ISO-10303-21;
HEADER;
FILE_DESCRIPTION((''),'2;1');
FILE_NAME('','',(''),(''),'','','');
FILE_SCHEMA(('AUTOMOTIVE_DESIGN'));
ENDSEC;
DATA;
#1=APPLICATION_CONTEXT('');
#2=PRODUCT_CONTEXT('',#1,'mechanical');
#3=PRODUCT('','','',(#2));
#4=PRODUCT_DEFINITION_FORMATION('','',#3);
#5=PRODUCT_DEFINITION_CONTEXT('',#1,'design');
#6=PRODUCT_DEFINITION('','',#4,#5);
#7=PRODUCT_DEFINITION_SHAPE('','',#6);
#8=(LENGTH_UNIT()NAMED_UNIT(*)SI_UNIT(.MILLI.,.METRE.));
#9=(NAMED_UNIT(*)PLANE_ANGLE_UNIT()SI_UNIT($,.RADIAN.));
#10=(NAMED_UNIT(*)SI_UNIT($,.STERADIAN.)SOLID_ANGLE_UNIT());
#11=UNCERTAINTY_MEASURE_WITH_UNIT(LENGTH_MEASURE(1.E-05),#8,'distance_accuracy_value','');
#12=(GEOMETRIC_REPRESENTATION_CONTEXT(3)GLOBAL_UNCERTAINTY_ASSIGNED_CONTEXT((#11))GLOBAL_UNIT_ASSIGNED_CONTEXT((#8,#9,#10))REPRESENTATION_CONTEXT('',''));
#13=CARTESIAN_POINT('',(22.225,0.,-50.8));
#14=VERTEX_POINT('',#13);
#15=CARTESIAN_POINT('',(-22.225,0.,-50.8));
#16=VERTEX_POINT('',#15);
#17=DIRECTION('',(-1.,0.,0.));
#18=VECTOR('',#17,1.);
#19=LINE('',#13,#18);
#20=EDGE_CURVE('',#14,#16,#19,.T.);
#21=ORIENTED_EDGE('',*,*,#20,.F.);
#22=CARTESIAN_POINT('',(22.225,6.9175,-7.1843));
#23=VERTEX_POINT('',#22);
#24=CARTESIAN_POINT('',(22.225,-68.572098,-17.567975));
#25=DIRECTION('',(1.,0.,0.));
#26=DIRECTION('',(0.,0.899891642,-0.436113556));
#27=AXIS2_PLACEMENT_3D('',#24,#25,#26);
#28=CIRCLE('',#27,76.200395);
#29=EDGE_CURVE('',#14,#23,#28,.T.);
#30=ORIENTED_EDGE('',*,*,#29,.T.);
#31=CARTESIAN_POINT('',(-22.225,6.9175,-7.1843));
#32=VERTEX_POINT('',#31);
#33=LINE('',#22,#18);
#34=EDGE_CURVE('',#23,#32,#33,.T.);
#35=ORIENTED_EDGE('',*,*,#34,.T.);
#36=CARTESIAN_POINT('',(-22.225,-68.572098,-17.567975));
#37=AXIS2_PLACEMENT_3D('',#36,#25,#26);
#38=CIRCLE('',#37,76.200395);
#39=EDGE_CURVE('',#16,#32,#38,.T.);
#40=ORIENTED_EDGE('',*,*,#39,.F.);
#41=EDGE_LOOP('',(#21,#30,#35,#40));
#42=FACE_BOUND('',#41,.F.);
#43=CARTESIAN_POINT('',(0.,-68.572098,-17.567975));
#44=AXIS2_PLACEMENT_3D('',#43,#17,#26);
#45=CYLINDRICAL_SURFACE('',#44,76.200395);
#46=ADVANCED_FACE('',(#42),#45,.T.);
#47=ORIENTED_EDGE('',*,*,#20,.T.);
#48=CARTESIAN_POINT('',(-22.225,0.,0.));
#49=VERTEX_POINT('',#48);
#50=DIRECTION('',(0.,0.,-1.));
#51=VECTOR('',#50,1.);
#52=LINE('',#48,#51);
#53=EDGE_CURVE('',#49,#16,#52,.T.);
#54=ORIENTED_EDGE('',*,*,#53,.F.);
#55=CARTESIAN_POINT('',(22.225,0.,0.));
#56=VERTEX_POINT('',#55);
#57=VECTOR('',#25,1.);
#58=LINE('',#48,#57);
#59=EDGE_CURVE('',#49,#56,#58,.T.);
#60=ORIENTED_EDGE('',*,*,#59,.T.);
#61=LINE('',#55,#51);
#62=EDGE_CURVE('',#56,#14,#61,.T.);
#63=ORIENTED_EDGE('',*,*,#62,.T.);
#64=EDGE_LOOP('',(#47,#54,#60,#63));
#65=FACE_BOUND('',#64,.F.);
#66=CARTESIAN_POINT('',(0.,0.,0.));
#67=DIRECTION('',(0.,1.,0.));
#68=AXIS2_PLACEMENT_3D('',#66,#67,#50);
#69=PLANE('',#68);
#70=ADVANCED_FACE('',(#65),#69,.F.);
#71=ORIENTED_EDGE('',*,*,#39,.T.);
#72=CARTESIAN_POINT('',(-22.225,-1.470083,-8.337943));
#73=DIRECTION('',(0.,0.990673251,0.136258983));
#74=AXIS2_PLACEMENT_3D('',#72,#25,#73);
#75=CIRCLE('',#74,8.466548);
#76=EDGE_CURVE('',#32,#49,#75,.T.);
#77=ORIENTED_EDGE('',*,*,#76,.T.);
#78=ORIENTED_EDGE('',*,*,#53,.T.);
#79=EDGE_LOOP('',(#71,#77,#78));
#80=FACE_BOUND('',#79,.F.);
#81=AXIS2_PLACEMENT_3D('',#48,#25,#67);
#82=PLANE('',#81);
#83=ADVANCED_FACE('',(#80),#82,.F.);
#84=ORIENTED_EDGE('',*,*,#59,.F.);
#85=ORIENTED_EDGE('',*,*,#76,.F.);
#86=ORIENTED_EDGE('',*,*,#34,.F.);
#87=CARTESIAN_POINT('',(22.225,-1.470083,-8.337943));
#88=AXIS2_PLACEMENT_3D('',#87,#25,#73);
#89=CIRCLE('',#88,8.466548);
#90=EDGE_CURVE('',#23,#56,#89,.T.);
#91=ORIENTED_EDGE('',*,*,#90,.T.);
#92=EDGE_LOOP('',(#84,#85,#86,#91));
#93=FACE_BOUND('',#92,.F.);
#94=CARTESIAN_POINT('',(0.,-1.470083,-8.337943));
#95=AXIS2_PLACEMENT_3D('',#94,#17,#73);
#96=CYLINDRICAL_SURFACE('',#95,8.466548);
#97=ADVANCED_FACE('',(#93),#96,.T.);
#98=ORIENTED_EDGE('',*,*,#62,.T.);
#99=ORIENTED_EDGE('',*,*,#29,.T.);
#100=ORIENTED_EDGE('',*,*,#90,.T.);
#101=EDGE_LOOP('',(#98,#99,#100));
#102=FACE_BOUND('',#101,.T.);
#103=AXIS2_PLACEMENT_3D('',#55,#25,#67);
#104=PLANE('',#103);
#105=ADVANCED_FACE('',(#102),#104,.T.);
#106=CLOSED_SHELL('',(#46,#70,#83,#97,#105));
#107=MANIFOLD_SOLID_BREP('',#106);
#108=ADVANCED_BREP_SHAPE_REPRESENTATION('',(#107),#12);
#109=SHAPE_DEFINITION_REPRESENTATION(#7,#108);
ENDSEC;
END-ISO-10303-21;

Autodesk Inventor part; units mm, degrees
ref_plane "YZ Plane" through (0, 0, 0) normal (1, 0, 0) x (0, 1, 0)
ref_plane "XZ Plane" through (0, 0, 0) normal (0, 1, 0) x (-1, 0, 0)
ref_plane "XY Plane" through (0, 0, 0) normal (0, 0, 1) x (1, 0, 0)
sketch "Sketch1" plane through (0, 0, 0) normal (1, 0, 0) x (0, 1, 0)
  line L0 (0, 0) -> (0, -50.8)
  arc A0 (6.9175, -7.1843) -> (0, 0) centre (-1.4702, -8.338) ccw
  arc A1 (0, -50.8) -> (6.9175, -7.1843) centre (-68.5717, -17.5681) ccw
  line L1 (0, 0) -> (-73.5094, 12.9617) construction
  dimension "d0" = 100
  dimension "d1" = 50.8
  dimension "d2" = 8.4667
  dimension "d3" = 76.2
extrude "Extrusion1" add sketch "Sketch1" along normal mid plane 44.45
properties part number "Basic"
